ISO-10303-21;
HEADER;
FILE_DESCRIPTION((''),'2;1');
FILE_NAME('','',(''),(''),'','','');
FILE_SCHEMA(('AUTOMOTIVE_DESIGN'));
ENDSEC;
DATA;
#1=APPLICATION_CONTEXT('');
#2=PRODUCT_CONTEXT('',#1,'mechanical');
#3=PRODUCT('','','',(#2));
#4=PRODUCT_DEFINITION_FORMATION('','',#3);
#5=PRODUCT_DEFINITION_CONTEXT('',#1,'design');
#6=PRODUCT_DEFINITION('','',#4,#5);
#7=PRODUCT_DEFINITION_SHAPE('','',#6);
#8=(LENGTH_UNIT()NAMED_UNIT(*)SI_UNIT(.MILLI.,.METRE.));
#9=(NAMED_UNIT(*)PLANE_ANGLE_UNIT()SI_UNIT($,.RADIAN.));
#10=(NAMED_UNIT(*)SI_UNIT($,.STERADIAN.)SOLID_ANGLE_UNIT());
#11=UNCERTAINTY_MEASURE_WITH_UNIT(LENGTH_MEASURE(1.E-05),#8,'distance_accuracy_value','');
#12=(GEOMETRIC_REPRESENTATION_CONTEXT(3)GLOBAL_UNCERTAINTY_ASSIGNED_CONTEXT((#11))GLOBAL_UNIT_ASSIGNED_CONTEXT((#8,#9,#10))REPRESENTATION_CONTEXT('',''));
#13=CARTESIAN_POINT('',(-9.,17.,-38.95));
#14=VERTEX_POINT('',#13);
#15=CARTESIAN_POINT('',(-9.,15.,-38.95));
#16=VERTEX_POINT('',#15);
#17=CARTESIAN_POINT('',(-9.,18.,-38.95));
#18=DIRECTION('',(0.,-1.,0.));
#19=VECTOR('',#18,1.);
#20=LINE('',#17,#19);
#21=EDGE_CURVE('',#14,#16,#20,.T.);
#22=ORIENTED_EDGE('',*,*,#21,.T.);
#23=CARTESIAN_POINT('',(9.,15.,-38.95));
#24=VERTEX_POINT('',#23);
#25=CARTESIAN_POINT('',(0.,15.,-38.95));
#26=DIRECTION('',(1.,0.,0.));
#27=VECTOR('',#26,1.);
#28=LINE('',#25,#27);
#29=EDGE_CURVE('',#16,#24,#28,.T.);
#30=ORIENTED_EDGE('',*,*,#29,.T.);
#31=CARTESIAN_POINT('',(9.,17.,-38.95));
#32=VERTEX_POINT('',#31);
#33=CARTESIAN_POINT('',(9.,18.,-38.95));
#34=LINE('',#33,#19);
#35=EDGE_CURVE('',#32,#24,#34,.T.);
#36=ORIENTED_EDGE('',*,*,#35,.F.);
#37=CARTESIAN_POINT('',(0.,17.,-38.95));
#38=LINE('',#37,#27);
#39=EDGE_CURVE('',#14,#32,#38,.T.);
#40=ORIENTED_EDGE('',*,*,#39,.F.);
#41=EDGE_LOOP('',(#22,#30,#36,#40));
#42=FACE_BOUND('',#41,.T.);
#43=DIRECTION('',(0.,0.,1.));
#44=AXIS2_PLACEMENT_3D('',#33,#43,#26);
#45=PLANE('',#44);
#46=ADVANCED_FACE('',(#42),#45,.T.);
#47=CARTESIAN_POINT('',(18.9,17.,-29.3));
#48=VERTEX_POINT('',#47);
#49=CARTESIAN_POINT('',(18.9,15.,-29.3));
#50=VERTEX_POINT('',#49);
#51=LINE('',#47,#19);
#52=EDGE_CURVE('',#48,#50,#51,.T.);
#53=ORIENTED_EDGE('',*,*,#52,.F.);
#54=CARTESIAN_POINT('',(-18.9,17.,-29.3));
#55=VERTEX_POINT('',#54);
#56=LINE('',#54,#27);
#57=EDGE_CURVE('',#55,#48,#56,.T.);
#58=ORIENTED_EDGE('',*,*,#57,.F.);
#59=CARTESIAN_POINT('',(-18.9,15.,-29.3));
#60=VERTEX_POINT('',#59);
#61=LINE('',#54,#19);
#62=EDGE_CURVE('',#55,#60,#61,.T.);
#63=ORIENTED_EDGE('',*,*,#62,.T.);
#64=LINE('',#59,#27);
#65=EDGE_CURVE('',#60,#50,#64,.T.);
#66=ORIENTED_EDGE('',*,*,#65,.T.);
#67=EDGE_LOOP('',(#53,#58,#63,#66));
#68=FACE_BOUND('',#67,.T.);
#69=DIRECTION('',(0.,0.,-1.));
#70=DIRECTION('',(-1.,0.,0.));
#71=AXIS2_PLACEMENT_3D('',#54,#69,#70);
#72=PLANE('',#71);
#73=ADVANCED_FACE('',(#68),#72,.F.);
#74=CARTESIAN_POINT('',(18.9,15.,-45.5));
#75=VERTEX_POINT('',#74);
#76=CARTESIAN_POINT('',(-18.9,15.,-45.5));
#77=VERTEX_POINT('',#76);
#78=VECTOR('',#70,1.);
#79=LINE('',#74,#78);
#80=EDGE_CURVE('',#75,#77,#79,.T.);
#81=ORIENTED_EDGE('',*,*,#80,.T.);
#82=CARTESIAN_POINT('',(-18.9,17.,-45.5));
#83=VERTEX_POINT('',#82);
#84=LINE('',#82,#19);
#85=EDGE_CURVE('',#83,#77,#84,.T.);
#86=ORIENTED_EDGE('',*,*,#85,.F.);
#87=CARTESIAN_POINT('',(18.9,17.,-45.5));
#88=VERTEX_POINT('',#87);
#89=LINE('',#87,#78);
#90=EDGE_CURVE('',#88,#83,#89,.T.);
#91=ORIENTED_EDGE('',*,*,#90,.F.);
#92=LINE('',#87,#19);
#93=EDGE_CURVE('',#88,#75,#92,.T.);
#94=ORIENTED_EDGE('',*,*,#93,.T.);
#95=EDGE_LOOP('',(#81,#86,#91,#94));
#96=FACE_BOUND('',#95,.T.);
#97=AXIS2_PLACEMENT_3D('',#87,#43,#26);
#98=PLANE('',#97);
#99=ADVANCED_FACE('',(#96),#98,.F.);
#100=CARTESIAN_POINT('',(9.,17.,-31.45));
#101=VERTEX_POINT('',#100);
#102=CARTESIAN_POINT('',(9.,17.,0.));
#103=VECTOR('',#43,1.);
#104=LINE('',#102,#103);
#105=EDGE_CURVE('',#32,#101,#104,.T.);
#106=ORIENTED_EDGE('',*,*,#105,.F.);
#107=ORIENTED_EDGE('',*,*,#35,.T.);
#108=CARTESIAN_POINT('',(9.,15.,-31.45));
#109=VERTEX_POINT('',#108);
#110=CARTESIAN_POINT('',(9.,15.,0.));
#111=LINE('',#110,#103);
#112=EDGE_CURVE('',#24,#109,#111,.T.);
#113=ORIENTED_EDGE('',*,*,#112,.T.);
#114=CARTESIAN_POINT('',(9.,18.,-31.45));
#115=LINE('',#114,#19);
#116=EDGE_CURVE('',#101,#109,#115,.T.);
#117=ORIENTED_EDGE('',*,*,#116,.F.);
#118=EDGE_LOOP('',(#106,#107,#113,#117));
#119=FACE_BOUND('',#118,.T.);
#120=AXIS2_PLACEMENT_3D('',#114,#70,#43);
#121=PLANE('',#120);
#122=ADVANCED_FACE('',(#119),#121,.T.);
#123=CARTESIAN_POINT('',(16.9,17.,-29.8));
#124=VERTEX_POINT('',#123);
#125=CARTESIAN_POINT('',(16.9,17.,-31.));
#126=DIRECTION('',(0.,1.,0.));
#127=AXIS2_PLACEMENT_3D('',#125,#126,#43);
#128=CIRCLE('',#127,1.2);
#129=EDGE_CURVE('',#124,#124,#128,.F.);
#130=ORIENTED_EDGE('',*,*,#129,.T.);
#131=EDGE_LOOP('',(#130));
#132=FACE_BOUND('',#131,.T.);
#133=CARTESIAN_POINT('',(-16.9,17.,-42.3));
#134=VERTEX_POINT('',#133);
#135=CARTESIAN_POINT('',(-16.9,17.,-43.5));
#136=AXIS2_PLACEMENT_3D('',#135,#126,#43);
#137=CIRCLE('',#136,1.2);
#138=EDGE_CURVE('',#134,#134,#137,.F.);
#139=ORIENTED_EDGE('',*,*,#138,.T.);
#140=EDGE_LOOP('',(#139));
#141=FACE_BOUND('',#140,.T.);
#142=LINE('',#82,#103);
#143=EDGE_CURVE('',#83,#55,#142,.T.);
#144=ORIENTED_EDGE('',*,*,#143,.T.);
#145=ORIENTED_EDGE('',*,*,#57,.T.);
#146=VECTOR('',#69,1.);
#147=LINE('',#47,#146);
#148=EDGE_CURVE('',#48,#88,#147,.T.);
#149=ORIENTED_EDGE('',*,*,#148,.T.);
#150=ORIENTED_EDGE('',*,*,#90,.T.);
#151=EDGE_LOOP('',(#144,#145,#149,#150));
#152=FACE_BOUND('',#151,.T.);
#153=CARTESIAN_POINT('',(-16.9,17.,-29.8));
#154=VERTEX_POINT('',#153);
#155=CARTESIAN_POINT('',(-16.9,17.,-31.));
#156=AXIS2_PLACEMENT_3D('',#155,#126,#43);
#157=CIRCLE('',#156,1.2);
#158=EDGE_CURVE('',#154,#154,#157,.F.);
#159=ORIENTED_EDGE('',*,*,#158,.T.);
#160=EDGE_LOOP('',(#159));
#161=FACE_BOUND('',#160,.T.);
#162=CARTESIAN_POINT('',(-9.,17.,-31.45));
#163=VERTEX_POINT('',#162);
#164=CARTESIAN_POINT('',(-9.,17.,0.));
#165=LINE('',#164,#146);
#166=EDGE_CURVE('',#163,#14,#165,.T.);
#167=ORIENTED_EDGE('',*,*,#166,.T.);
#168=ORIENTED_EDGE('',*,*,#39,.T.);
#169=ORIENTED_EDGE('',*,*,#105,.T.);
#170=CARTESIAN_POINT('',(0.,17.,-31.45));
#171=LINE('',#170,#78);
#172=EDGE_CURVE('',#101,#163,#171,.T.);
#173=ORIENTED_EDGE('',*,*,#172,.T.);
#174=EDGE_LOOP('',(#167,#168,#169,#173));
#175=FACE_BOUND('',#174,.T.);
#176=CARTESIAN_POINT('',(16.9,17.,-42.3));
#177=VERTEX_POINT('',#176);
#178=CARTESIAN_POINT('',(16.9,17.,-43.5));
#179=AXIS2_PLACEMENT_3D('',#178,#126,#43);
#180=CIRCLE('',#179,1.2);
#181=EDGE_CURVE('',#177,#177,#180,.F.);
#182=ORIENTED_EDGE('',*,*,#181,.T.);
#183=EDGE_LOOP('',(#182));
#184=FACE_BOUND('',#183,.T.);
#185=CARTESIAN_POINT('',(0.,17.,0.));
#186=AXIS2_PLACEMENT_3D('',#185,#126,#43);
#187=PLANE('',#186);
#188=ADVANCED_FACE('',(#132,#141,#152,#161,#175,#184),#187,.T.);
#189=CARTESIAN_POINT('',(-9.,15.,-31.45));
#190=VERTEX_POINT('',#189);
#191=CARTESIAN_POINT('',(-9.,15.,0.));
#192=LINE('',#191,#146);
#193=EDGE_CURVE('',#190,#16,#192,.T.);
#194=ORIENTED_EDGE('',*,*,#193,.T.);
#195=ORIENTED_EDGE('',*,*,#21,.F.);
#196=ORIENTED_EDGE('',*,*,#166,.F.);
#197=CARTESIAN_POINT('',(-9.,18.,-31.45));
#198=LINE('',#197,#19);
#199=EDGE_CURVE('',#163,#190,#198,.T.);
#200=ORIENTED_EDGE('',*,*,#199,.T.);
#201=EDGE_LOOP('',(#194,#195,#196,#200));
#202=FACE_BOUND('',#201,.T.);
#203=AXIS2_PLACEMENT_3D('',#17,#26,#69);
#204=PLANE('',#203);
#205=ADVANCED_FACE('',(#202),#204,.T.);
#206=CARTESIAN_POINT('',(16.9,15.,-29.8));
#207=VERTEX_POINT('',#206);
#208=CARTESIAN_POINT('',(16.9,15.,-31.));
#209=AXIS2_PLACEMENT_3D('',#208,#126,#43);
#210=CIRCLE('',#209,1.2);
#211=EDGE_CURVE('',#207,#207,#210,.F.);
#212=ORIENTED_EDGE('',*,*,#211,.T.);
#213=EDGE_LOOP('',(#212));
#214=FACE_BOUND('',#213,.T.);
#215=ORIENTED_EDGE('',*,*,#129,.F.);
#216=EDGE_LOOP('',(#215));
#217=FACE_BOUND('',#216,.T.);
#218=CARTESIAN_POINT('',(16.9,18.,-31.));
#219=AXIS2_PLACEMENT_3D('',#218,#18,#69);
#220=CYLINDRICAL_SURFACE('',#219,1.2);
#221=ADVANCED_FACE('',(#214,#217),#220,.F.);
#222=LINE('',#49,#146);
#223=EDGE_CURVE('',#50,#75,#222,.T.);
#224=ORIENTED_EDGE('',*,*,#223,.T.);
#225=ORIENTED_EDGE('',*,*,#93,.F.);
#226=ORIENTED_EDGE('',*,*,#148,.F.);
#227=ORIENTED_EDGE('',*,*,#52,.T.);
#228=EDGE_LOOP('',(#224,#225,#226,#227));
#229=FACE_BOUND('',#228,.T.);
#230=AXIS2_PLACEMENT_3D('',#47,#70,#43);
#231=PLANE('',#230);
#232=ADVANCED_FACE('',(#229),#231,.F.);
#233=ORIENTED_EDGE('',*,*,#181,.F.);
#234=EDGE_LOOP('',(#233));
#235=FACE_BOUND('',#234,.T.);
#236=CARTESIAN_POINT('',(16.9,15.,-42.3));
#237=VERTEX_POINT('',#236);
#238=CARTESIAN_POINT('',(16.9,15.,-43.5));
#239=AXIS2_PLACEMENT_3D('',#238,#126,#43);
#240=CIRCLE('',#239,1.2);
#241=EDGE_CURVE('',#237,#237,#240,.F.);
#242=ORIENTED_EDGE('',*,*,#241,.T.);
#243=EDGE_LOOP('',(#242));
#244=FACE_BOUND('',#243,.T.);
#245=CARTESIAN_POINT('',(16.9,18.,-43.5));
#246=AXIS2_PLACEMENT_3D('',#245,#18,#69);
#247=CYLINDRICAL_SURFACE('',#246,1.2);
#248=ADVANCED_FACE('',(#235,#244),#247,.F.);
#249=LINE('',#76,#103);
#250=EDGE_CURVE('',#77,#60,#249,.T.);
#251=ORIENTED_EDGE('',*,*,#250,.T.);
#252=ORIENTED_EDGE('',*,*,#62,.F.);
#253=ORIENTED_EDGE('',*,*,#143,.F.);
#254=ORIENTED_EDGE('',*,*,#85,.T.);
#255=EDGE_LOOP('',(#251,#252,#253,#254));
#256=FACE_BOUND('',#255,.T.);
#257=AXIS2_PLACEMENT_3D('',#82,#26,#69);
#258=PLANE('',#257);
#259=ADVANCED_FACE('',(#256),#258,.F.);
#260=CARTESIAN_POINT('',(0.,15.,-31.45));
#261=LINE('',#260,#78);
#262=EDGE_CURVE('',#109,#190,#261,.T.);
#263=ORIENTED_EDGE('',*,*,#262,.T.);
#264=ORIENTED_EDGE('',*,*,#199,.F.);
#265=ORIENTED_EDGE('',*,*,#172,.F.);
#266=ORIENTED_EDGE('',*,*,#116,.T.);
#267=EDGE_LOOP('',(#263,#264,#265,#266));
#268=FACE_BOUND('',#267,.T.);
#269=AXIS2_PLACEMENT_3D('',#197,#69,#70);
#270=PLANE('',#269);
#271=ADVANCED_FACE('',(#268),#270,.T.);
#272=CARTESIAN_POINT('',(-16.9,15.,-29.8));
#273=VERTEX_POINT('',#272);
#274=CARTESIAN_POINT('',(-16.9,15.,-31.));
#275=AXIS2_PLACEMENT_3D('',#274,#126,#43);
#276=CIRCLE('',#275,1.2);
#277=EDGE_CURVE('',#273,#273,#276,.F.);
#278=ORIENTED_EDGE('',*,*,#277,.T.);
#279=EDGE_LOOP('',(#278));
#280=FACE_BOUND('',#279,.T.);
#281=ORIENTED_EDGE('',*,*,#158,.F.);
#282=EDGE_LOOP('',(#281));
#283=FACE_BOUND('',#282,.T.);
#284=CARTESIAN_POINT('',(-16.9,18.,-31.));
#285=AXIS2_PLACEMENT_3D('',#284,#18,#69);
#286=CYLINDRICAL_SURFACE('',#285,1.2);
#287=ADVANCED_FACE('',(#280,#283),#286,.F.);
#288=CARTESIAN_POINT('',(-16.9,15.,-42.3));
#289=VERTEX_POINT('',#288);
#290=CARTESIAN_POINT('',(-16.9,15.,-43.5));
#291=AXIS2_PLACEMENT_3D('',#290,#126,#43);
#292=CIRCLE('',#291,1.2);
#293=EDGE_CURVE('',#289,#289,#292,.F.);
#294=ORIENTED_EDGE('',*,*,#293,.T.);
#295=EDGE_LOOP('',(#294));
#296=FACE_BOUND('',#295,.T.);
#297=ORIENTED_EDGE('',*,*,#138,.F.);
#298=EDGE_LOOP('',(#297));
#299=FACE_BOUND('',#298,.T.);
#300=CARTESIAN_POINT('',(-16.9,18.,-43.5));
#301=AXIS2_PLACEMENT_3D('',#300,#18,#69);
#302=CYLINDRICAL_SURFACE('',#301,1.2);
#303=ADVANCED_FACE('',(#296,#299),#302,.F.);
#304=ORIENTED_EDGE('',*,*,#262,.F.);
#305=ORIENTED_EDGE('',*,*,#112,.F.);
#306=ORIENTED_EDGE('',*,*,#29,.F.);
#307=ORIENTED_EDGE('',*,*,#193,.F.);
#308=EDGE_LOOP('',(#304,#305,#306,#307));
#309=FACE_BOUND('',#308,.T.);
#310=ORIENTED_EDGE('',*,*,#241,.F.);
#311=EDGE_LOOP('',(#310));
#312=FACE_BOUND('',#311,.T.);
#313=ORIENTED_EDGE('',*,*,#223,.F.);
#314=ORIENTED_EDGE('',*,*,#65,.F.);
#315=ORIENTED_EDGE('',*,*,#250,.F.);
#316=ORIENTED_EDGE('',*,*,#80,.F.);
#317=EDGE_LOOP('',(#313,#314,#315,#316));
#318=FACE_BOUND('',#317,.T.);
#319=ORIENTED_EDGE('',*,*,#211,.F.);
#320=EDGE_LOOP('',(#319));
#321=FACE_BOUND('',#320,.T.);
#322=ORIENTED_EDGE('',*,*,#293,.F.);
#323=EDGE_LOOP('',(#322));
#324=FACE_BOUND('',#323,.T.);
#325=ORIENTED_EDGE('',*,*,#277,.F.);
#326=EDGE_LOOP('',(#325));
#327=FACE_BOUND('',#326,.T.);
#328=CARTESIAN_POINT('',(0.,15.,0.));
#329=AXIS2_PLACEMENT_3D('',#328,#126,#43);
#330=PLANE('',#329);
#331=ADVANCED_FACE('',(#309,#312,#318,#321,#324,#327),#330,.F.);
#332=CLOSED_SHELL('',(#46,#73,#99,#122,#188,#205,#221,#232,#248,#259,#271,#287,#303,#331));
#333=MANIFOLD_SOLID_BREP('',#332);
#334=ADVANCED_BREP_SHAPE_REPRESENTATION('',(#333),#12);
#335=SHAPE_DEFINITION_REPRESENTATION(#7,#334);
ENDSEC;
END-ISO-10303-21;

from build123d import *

# Parameters (mm, degrees)
SKETCH1_W                = 37.8
SKETCH1_H                = 16.2
RETAINER_PLATE_DEPTH     = 2
SKETCH2_W                = 18
SKETCH2_H                = 7.5
RIBBON_SLOT_DEPTH        = 4
SKETCH3_R                = 1.2
M2_CLEARANCE_HOLES_DEPTH = 4


with BuildPart() as part:
    # Sketch1 → Retainer Plate (new body)
    with BuildSketch(Plane(origin=(0, 15, 0), x_dir=(1, 0, 0), z_dir=(0, 1, 0))):
        with Locations((0, 37.4)):
            Rectangle(SKETCH1_W, SKETCH1_H)
    extrude(amount=RETAINER_PLATE_DEPTH)

    # Sketch2 → Ribbon Slot (cut)
    with BuildSketch(Plane(origin=(0, 14, 0), x_dir=(1, 0, 0), z_dir=(0, 1, 0))):
        with Locations((0, 35.2)):
            Rectangle(SKETCH2_W, SKETCH2_H)
    extrude(amount=RIBBON_SLOT_DEPTH, mode=Mode.SUBTRACT)

    # Sketch3 → M2 Clearance Holes (cut)
    with BuildSketch(Plane(origin=(0, 14, 0), x_dir=(1, 0, 0), z_dir=(0, 1, 0))):
        with Locations(Location((-16.9, 31, 0), (0, 0, 270))):
            Circle(SKETCH3_R)
        with Locations(Location((-16.9, 43.5, 0), (0, 0, 270))):
            Circle(SKETCH3_R)
        with Locations(Location((16.9, 31, 0), (0, 0, 270))):
            Circle(SKETCH3_R)
        with Locations(Location((16.9, 43.5, 0), (0, 0, 270))):
            Circle(SKETCH3_R)
    extrude(amount=M2_CLEARANCE_HOLES_DEPTH, mode=Mode.SUBTRACT)


solid = part.part
